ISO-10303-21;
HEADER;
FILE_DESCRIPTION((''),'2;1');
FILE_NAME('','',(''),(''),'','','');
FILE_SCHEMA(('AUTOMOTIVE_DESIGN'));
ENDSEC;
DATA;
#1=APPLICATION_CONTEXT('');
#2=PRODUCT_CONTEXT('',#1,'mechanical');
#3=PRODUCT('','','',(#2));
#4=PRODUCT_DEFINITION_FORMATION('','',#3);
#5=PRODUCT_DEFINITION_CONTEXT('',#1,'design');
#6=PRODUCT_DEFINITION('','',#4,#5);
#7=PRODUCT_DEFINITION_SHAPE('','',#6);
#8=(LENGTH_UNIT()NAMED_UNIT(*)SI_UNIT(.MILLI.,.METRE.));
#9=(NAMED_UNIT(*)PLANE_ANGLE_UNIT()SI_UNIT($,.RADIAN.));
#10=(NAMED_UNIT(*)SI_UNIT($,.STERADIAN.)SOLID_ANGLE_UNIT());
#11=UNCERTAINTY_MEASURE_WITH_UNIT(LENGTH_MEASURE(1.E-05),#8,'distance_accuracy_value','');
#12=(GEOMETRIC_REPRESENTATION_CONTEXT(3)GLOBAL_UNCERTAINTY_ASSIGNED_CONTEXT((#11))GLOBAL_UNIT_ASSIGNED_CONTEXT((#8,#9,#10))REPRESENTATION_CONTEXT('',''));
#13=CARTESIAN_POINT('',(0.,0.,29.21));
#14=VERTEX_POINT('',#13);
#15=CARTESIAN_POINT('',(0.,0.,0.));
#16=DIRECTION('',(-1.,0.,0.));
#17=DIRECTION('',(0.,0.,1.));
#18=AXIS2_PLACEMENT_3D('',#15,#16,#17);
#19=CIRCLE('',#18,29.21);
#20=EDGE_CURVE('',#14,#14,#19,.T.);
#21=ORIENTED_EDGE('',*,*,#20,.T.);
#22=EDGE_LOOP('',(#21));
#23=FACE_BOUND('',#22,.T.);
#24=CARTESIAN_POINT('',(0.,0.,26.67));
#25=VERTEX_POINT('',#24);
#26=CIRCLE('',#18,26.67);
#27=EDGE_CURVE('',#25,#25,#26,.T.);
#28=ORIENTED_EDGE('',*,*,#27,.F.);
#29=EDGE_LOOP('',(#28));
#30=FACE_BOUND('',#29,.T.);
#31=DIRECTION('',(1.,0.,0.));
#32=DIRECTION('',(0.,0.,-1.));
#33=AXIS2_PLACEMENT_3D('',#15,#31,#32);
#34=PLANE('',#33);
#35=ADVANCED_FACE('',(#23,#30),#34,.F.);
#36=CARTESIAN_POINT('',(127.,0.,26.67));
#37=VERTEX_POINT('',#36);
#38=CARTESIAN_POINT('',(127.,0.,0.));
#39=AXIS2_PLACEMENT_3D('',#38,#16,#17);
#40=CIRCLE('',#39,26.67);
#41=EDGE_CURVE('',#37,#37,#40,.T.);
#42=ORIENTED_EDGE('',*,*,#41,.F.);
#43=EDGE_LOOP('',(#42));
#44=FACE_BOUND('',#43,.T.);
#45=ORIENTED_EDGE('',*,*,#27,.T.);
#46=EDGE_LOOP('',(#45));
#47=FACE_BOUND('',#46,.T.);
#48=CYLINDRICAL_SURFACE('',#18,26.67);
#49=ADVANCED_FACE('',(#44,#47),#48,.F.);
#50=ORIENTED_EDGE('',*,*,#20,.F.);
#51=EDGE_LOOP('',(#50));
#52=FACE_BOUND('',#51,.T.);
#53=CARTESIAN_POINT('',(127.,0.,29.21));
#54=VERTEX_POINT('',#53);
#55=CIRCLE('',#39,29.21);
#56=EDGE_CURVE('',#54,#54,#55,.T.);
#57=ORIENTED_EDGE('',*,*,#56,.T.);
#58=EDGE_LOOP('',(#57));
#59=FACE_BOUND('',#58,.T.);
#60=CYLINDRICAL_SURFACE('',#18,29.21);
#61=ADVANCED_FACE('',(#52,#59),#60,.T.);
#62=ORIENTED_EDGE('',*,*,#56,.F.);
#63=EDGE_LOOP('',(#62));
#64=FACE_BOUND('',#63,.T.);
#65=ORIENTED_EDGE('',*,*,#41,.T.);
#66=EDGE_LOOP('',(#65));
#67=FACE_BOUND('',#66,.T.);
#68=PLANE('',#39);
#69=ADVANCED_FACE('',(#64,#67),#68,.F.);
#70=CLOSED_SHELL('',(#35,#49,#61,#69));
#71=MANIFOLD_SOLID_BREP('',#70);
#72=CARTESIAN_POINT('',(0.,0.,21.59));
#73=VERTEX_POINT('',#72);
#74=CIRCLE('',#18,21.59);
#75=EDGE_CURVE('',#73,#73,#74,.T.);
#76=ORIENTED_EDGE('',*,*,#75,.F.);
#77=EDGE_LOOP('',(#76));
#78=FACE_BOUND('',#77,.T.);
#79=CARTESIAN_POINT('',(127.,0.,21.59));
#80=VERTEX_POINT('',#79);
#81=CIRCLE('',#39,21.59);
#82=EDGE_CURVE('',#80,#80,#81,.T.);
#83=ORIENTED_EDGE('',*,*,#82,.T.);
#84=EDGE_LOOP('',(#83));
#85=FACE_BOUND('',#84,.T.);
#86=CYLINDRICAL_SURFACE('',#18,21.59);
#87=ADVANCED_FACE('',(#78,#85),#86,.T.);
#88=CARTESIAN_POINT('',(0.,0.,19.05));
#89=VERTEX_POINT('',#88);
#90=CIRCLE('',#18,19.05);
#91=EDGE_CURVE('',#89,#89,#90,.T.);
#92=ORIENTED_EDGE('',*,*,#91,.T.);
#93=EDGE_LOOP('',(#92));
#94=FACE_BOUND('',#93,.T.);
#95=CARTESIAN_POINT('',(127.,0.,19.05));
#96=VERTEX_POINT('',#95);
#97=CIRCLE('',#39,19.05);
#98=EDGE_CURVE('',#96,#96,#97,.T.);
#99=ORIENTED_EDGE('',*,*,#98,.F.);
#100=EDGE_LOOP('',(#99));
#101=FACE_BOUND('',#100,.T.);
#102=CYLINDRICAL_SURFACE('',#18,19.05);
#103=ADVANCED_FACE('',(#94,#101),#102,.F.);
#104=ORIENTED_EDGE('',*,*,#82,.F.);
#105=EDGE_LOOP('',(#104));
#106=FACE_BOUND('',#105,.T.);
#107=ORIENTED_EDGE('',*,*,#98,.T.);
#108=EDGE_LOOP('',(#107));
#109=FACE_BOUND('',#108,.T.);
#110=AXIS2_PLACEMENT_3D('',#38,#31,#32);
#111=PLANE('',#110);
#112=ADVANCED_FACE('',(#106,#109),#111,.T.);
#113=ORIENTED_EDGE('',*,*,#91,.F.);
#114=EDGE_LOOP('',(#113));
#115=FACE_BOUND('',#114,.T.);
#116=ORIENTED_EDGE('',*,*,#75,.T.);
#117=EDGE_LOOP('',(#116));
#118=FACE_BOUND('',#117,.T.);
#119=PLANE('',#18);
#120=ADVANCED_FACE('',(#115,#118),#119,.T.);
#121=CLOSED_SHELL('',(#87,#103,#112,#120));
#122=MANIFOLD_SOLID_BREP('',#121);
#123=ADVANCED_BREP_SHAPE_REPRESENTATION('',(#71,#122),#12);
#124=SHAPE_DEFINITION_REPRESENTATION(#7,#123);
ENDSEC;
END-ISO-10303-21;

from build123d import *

# Parameters (mm, degrees)
SKETCH1_W = 127
SKETCH1_H = 2.54


with BuildPart() as part:
    # Sketch1 → Revolve1 (revolve)
    with BuildSketch(Plane.XY, mode=Mode.PRIVATE) as revolve1_sk:
        with Locations((63.5, 20.32)):
            Rectangle(SKETCH1_W, SKETCH1_H)
        with Locations((63.5, 27.94)):
            Rectangle(SKETCH1_W, SKETCH1_H)
    revolve(revolve1_sk.sketch.rotate(Axis((0, 0, 0), (1, 0, 0)), 90), axis=Axis((0, 0, 0), (1, 0, 0)))


solid = part.part
